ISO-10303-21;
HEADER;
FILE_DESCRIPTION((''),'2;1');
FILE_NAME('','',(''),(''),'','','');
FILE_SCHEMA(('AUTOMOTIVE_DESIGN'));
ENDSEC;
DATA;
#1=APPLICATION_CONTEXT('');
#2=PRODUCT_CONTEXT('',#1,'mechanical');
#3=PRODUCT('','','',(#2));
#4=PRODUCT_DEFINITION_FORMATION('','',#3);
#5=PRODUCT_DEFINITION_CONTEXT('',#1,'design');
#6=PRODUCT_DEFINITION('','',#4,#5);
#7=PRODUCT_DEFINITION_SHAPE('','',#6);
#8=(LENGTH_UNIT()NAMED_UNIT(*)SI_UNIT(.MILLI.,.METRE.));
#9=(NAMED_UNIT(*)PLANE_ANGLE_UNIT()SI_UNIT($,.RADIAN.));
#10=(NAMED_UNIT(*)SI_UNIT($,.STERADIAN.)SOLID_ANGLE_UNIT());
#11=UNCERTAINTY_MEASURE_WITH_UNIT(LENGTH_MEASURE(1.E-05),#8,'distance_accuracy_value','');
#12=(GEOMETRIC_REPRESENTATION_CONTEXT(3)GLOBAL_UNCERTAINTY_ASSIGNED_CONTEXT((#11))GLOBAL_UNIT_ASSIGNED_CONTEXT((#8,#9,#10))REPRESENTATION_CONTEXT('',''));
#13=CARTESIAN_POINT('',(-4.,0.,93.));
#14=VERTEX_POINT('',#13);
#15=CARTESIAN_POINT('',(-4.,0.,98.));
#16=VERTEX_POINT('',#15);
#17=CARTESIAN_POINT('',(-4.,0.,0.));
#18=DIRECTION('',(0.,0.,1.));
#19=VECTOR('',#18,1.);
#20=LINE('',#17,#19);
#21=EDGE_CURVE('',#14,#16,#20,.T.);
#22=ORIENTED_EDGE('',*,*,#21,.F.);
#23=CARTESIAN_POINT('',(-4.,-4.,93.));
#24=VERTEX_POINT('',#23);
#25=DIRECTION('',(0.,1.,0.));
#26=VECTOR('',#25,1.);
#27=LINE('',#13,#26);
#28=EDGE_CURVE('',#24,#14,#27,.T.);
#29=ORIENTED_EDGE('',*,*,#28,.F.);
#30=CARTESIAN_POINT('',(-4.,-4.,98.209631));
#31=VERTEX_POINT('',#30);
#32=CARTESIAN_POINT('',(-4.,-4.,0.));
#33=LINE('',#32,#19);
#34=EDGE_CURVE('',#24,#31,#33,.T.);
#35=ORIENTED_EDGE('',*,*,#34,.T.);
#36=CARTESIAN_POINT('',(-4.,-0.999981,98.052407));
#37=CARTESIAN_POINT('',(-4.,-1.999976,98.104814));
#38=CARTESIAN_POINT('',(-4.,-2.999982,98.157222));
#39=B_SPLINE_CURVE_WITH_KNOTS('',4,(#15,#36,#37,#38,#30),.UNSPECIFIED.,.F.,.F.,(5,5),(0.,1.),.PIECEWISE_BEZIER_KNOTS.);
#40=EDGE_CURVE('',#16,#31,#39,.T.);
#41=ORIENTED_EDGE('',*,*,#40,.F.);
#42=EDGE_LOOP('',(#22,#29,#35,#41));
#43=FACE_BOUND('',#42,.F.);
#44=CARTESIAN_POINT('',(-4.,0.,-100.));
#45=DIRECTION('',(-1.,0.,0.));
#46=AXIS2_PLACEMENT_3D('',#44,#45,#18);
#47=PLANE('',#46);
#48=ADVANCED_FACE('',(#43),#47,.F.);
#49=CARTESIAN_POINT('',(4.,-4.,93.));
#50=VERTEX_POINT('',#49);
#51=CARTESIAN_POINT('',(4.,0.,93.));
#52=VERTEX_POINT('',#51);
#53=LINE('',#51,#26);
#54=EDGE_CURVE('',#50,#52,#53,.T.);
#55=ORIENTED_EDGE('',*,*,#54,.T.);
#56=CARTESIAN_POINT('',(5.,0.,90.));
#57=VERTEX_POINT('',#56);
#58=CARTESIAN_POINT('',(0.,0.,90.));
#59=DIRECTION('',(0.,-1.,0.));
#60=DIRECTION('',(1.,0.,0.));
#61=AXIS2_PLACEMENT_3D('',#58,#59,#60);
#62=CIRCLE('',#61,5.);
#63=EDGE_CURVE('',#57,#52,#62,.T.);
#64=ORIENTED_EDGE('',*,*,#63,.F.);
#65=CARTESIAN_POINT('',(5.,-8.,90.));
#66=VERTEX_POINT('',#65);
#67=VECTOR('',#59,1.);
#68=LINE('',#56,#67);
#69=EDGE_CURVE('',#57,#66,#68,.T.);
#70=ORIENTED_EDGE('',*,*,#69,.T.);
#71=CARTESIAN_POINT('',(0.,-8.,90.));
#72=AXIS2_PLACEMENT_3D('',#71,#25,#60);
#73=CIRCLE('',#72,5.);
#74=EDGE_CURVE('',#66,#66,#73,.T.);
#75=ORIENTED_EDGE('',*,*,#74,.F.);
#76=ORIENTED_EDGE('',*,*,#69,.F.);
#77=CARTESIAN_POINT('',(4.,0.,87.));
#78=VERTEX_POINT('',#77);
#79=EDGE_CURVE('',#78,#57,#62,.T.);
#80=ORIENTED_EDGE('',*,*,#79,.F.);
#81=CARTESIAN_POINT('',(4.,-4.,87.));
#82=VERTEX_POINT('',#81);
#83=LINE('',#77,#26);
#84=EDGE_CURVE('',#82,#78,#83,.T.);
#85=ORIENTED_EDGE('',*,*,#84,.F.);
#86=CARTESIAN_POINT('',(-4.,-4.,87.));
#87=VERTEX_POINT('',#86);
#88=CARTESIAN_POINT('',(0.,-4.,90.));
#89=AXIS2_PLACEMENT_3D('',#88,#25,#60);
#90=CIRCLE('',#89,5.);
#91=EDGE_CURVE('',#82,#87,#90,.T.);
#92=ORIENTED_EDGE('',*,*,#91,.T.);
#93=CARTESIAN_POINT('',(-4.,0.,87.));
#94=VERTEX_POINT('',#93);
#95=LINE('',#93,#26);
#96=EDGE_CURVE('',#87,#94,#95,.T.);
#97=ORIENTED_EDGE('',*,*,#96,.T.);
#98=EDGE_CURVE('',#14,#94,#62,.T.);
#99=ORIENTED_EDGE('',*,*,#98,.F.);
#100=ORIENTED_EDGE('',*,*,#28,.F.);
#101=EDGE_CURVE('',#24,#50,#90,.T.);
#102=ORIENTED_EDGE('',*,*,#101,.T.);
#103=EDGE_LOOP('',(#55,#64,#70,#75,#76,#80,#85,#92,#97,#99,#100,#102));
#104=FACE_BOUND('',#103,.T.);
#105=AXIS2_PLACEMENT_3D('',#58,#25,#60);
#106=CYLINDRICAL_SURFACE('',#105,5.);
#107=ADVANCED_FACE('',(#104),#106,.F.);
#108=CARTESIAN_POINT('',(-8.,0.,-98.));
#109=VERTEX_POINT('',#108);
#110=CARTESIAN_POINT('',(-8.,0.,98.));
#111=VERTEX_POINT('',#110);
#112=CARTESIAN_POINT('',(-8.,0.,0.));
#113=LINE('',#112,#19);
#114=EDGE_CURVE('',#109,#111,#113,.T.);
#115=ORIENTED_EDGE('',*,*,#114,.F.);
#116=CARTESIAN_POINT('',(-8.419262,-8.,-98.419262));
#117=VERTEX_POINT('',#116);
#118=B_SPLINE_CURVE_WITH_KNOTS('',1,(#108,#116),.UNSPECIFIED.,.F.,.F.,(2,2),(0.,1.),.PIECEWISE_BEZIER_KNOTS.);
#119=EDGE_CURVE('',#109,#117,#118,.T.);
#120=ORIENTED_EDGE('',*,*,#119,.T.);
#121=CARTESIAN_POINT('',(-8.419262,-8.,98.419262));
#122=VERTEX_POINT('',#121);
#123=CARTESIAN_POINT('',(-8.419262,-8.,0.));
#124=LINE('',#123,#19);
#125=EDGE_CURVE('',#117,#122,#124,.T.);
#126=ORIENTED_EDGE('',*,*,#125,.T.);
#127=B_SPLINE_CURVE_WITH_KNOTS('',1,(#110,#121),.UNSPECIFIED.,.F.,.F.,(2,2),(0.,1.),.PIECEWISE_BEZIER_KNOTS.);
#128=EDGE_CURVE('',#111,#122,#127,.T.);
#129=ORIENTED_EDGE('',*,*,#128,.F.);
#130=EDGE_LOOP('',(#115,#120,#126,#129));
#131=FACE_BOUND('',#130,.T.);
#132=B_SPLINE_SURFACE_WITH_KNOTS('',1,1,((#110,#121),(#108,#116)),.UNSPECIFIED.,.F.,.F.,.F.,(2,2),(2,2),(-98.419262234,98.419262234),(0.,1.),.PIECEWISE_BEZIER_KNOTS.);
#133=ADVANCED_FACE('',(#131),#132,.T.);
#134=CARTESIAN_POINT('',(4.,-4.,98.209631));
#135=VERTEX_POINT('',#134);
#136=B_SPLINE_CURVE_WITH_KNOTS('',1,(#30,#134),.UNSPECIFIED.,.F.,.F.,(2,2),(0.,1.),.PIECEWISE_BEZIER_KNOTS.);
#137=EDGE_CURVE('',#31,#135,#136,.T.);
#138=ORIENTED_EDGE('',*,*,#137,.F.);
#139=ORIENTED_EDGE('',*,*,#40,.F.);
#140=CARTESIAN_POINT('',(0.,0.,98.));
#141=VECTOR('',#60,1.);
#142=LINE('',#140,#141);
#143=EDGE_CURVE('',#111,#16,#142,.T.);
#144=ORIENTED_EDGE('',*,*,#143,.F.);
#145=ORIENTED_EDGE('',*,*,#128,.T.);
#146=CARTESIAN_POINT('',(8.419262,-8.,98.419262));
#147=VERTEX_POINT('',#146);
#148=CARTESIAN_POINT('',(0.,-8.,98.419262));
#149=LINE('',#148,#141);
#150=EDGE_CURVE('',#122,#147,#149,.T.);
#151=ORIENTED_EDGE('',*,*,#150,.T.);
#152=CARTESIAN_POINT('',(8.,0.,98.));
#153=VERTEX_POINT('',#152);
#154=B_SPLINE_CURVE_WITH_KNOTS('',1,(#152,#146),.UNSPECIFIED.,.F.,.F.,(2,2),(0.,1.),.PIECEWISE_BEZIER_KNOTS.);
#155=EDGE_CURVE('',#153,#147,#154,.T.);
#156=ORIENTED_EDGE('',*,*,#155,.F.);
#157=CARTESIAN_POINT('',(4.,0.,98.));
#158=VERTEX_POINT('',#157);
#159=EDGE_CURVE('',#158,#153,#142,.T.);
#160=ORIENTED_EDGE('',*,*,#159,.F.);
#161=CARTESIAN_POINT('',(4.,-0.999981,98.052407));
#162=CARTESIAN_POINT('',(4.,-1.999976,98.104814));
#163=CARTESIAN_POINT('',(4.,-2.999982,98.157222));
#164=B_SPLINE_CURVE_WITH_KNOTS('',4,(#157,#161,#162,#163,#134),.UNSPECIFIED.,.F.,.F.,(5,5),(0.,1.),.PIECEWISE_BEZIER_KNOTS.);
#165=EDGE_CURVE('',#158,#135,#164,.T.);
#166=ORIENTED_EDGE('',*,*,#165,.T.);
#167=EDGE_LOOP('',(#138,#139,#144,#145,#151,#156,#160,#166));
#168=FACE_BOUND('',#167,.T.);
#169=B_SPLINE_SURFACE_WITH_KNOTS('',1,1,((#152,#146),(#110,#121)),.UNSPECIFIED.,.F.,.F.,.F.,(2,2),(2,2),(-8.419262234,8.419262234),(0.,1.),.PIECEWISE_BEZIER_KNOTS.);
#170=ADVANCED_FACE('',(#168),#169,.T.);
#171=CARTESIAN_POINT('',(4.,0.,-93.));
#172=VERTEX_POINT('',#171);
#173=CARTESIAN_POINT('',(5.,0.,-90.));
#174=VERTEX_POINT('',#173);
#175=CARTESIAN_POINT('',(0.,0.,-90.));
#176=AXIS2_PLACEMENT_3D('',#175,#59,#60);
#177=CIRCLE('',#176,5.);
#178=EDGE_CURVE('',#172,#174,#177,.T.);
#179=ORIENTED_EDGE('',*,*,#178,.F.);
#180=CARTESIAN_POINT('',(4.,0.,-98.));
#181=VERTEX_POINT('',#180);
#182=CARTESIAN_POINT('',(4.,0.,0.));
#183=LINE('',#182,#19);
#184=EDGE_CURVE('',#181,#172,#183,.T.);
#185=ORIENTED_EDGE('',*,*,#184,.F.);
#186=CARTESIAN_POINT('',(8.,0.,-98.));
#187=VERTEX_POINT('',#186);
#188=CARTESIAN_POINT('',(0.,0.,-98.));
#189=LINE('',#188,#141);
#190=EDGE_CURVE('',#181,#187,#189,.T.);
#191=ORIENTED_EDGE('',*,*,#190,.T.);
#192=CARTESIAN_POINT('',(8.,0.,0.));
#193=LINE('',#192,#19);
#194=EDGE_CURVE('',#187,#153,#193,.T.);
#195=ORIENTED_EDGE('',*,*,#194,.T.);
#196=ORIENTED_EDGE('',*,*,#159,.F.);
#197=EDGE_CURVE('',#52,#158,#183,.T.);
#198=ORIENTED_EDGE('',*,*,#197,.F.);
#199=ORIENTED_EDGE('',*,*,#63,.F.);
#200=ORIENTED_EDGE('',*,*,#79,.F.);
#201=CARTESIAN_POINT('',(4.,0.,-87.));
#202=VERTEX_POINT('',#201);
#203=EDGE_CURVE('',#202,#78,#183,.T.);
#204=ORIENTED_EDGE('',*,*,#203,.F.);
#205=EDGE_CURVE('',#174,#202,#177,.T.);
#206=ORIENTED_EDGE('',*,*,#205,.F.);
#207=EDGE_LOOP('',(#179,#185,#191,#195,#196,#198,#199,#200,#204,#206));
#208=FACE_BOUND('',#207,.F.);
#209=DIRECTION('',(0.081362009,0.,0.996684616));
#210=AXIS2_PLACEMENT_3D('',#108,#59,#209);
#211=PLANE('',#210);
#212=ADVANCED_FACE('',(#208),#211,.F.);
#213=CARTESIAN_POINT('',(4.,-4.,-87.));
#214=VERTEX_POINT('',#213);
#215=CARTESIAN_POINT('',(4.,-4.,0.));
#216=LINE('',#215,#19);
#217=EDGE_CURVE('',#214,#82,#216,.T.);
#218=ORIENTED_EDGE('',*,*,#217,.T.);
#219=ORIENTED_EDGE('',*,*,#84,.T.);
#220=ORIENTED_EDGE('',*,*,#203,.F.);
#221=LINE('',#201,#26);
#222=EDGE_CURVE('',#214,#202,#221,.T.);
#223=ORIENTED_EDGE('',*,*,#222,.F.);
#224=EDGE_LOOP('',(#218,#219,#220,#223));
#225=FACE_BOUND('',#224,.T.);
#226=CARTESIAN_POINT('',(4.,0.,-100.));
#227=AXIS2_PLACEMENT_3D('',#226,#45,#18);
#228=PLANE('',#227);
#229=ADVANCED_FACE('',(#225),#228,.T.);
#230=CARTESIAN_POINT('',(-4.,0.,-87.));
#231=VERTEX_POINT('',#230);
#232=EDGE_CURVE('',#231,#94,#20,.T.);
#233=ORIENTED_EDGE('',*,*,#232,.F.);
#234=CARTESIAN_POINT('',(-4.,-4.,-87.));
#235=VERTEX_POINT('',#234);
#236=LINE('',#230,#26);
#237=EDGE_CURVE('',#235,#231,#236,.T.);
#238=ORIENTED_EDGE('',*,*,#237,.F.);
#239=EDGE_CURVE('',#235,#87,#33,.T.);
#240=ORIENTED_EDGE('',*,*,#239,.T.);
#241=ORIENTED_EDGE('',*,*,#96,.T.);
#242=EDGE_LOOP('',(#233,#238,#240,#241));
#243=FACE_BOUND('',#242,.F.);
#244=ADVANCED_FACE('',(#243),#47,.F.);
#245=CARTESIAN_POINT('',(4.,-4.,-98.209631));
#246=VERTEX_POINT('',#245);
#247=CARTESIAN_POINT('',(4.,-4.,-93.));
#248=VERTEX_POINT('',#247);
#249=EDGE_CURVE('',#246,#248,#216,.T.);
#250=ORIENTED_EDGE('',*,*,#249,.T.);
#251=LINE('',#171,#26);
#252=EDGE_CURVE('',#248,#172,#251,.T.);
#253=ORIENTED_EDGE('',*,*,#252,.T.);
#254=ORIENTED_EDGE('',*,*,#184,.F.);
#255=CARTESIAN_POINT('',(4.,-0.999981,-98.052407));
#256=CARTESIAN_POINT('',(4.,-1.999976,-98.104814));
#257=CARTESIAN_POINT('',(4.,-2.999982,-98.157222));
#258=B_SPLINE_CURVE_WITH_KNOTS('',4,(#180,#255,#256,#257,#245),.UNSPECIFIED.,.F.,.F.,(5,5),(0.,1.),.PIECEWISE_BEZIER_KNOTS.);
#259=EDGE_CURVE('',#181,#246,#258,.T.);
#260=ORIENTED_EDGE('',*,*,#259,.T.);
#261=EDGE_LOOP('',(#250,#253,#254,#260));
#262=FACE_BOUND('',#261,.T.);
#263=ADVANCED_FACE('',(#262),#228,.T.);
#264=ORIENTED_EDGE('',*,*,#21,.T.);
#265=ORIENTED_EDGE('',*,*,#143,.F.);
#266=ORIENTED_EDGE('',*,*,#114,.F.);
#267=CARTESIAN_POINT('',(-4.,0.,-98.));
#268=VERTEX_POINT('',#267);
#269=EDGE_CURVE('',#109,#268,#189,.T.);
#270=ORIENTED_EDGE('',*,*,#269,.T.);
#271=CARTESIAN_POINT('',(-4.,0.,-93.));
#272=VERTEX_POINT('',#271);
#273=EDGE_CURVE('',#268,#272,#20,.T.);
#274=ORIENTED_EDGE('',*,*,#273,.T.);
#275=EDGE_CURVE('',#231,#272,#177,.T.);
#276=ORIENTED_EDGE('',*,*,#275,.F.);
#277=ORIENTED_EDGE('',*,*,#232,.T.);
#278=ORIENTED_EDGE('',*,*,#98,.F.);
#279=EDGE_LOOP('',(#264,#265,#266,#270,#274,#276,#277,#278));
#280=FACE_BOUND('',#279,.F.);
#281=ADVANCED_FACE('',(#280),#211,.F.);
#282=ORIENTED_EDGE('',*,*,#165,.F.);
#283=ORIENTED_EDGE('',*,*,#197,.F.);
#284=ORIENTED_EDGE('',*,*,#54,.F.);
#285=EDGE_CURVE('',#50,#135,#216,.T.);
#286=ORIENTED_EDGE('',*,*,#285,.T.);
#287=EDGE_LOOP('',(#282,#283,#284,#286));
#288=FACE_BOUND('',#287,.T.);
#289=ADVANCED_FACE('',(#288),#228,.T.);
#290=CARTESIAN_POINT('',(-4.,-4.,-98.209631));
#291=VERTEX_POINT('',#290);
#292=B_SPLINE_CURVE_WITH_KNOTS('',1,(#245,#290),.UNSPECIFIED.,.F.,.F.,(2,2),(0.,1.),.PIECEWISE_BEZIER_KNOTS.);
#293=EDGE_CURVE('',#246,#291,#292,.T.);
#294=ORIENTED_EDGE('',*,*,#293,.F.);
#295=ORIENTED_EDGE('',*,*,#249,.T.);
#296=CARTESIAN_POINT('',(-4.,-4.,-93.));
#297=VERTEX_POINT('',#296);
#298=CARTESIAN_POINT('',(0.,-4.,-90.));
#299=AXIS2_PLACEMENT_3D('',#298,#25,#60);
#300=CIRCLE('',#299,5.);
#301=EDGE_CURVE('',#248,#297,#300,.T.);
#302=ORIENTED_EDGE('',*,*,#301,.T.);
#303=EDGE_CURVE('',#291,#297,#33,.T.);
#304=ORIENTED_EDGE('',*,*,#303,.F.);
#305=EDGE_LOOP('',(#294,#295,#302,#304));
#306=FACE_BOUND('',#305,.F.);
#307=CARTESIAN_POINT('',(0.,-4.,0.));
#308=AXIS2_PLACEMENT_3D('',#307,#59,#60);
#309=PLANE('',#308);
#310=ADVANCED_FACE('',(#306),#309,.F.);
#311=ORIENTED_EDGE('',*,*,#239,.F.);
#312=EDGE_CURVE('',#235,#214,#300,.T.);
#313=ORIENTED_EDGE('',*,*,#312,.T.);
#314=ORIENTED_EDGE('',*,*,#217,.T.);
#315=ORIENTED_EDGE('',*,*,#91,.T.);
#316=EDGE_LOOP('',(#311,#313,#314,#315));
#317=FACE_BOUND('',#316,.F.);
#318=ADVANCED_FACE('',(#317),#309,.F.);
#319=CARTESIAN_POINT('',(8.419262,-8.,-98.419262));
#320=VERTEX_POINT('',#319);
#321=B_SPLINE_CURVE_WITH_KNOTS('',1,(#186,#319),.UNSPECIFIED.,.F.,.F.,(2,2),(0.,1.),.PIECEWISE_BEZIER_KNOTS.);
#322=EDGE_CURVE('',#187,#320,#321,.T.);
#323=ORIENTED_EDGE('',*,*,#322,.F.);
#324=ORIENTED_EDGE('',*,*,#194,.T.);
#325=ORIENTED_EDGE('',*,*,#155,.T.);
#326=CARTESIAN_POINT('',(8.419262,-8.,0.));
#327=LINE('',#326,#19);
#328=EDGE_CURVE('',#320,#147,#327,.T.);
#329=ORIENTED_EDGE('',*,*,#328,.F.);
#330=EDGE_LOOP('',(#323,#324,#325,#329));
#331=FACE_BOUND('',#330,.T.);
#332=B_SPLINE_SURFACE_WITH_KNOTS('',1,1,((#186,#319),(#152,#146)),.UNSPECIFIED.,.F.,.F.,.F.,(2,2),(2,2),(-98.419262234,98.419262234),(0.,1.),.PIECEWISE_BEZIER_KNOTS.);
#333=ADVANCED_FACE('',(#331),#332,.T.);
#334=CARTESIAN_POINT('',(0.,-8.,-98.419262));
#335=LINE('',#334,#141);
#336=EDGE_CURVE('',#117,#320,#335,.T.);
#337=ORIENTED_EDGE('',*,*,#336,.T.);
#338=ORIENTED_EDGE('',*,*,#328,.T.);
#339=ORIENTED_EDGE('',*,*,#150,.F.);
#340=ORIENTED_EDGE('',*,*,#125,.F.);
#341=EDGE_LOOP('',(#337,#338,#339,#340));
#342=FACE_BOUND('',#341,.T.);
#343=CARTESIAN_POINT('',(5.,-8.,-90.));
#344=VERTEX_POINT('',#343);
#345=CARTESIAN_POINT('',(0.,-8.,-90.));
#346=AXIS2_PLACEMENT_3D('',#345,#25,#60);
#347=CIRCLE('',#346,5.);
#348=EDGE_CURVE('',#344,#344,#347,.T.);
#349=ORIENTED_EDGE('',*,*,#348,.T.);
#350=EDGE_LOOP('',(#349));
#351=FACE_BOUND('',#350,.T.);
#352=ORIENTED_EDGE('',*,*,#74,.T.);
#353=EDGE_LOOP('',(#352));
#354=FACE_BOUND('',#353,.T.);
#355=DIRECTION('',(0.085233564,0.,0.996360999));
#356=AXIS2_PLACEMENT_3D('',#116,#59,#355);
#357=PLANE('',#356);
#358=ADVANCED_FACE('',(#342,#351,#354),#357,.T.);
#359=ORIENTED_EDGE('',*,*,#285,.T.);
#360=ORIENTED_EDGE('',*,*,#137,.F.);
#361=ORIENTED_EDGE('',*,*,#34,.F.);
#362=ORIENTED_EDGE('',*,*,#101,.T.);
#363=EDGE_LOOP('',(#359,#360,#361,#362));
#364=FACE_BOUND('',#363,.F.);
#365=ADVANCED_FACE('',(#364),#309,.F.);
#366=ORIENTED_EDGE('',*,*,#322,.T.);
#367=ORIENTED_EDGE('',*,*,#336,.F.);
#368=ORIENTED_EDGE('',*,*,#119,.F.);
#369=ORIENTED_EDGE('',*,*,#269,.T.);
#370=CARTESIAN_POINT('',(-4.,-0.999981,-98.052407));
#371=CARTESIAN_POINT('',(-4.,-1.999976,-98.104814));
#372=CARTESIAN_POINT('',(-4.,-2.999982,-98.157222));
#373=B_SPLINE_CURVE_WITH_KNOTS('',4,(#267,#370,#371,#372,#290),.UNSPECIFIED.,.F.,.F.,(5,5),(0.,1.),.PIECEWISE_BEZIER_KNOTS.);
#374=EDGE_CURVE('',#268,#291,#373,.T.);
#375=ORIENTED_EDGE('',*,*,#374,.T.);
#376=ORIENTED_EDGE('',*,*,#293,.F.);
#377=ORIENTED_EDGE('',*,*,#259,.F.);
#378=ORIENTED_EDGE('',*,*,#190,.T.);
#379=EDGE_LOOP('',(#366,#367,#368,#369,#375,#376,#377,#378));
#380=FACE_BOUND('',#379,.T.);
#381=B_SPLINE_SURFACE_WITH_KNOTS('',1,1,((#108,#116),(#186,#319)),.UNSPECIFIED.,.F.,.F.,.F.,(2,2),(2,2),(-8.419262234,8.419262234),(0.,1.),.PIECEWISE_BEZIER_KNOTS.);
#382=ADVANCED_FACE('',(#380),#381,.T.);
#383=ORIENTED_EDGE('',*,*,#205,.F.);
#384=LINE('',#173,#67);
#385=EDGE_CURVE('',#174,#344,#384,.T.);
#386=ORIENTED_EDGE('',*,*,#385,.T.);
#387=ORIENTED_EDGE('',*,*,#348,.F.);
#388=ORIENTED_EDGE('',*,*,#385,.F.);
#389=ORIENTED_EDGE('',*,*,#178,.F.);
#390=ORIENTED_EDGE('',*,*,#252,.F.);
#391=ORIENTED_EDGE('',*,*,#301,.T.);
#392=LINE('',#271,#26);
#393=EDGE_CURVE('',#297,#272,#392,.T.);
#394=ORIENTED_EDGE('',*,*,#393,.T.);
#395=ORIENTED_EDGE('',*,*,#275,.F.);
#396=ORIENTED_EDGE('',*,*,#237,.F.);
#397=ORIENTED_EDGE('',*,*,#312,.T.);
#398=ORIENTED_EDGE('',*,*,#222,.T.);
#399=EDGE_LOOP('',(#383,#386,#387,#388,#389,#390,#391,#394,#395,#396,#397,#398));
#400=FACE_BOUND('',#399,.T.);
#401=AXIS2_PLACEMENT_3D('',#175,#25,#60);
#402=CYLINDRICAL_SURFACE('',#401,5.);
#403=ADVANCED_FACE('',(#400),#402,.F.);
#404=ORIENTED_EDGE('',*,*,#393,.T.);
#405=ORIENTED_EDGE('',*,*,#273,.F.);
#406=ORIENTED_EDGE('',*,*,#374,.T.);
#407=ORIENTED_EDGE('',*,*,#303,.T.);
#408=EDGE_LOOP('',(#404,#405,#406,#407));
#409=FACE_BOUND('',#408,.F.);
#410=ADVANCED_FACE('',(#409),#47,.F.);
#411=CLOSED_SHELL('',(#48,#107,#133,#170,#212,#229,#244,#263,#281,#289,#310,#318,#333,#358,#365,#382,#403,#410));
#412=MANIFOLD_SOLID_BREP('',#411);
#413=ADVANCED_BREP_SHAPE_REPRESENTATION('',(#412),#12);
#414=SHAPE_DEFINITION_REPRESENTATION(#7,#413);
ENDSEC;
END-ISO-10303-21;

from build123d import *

# Parameters (mm, degrees)
F0_W     = 16
F0_H     = 196
F1_DEPTH = 8
F1_TAPER = -3
F2_W     = 8
F2_H     = 200
F3_DEPTH = 4
F4_R     = 5
F5_DEPTH = 25.4


with BuildPart() as f1:
    # F0 (on Front) → F1 (new body)
    with BuildSketch(Plane.XZ):
        Rectangle(F0_W, F0_H)
    extrude(amount=F1_DEPTH, taper=F1_TAPER)

    # F2 (on face) → F3 (cut)
    with BuildSketch(Plane.XZ):
        Rectangle(F2_W, F2_H)
    extrude(amount=F3_DEPTH, mode=Mode.SUBTRACT)

    # F4 (on Front) → F5 (cut)
    with BuildSketch(Plane.XZ):
        with Locations((0, 90)):
            Circle(F4_R)
        with Locations((0, -90)):
            Circle(F4_R)
    extrude(amount=F5_DEPTH, mode=Mode.SUBTRACT)


solid = f1.part
